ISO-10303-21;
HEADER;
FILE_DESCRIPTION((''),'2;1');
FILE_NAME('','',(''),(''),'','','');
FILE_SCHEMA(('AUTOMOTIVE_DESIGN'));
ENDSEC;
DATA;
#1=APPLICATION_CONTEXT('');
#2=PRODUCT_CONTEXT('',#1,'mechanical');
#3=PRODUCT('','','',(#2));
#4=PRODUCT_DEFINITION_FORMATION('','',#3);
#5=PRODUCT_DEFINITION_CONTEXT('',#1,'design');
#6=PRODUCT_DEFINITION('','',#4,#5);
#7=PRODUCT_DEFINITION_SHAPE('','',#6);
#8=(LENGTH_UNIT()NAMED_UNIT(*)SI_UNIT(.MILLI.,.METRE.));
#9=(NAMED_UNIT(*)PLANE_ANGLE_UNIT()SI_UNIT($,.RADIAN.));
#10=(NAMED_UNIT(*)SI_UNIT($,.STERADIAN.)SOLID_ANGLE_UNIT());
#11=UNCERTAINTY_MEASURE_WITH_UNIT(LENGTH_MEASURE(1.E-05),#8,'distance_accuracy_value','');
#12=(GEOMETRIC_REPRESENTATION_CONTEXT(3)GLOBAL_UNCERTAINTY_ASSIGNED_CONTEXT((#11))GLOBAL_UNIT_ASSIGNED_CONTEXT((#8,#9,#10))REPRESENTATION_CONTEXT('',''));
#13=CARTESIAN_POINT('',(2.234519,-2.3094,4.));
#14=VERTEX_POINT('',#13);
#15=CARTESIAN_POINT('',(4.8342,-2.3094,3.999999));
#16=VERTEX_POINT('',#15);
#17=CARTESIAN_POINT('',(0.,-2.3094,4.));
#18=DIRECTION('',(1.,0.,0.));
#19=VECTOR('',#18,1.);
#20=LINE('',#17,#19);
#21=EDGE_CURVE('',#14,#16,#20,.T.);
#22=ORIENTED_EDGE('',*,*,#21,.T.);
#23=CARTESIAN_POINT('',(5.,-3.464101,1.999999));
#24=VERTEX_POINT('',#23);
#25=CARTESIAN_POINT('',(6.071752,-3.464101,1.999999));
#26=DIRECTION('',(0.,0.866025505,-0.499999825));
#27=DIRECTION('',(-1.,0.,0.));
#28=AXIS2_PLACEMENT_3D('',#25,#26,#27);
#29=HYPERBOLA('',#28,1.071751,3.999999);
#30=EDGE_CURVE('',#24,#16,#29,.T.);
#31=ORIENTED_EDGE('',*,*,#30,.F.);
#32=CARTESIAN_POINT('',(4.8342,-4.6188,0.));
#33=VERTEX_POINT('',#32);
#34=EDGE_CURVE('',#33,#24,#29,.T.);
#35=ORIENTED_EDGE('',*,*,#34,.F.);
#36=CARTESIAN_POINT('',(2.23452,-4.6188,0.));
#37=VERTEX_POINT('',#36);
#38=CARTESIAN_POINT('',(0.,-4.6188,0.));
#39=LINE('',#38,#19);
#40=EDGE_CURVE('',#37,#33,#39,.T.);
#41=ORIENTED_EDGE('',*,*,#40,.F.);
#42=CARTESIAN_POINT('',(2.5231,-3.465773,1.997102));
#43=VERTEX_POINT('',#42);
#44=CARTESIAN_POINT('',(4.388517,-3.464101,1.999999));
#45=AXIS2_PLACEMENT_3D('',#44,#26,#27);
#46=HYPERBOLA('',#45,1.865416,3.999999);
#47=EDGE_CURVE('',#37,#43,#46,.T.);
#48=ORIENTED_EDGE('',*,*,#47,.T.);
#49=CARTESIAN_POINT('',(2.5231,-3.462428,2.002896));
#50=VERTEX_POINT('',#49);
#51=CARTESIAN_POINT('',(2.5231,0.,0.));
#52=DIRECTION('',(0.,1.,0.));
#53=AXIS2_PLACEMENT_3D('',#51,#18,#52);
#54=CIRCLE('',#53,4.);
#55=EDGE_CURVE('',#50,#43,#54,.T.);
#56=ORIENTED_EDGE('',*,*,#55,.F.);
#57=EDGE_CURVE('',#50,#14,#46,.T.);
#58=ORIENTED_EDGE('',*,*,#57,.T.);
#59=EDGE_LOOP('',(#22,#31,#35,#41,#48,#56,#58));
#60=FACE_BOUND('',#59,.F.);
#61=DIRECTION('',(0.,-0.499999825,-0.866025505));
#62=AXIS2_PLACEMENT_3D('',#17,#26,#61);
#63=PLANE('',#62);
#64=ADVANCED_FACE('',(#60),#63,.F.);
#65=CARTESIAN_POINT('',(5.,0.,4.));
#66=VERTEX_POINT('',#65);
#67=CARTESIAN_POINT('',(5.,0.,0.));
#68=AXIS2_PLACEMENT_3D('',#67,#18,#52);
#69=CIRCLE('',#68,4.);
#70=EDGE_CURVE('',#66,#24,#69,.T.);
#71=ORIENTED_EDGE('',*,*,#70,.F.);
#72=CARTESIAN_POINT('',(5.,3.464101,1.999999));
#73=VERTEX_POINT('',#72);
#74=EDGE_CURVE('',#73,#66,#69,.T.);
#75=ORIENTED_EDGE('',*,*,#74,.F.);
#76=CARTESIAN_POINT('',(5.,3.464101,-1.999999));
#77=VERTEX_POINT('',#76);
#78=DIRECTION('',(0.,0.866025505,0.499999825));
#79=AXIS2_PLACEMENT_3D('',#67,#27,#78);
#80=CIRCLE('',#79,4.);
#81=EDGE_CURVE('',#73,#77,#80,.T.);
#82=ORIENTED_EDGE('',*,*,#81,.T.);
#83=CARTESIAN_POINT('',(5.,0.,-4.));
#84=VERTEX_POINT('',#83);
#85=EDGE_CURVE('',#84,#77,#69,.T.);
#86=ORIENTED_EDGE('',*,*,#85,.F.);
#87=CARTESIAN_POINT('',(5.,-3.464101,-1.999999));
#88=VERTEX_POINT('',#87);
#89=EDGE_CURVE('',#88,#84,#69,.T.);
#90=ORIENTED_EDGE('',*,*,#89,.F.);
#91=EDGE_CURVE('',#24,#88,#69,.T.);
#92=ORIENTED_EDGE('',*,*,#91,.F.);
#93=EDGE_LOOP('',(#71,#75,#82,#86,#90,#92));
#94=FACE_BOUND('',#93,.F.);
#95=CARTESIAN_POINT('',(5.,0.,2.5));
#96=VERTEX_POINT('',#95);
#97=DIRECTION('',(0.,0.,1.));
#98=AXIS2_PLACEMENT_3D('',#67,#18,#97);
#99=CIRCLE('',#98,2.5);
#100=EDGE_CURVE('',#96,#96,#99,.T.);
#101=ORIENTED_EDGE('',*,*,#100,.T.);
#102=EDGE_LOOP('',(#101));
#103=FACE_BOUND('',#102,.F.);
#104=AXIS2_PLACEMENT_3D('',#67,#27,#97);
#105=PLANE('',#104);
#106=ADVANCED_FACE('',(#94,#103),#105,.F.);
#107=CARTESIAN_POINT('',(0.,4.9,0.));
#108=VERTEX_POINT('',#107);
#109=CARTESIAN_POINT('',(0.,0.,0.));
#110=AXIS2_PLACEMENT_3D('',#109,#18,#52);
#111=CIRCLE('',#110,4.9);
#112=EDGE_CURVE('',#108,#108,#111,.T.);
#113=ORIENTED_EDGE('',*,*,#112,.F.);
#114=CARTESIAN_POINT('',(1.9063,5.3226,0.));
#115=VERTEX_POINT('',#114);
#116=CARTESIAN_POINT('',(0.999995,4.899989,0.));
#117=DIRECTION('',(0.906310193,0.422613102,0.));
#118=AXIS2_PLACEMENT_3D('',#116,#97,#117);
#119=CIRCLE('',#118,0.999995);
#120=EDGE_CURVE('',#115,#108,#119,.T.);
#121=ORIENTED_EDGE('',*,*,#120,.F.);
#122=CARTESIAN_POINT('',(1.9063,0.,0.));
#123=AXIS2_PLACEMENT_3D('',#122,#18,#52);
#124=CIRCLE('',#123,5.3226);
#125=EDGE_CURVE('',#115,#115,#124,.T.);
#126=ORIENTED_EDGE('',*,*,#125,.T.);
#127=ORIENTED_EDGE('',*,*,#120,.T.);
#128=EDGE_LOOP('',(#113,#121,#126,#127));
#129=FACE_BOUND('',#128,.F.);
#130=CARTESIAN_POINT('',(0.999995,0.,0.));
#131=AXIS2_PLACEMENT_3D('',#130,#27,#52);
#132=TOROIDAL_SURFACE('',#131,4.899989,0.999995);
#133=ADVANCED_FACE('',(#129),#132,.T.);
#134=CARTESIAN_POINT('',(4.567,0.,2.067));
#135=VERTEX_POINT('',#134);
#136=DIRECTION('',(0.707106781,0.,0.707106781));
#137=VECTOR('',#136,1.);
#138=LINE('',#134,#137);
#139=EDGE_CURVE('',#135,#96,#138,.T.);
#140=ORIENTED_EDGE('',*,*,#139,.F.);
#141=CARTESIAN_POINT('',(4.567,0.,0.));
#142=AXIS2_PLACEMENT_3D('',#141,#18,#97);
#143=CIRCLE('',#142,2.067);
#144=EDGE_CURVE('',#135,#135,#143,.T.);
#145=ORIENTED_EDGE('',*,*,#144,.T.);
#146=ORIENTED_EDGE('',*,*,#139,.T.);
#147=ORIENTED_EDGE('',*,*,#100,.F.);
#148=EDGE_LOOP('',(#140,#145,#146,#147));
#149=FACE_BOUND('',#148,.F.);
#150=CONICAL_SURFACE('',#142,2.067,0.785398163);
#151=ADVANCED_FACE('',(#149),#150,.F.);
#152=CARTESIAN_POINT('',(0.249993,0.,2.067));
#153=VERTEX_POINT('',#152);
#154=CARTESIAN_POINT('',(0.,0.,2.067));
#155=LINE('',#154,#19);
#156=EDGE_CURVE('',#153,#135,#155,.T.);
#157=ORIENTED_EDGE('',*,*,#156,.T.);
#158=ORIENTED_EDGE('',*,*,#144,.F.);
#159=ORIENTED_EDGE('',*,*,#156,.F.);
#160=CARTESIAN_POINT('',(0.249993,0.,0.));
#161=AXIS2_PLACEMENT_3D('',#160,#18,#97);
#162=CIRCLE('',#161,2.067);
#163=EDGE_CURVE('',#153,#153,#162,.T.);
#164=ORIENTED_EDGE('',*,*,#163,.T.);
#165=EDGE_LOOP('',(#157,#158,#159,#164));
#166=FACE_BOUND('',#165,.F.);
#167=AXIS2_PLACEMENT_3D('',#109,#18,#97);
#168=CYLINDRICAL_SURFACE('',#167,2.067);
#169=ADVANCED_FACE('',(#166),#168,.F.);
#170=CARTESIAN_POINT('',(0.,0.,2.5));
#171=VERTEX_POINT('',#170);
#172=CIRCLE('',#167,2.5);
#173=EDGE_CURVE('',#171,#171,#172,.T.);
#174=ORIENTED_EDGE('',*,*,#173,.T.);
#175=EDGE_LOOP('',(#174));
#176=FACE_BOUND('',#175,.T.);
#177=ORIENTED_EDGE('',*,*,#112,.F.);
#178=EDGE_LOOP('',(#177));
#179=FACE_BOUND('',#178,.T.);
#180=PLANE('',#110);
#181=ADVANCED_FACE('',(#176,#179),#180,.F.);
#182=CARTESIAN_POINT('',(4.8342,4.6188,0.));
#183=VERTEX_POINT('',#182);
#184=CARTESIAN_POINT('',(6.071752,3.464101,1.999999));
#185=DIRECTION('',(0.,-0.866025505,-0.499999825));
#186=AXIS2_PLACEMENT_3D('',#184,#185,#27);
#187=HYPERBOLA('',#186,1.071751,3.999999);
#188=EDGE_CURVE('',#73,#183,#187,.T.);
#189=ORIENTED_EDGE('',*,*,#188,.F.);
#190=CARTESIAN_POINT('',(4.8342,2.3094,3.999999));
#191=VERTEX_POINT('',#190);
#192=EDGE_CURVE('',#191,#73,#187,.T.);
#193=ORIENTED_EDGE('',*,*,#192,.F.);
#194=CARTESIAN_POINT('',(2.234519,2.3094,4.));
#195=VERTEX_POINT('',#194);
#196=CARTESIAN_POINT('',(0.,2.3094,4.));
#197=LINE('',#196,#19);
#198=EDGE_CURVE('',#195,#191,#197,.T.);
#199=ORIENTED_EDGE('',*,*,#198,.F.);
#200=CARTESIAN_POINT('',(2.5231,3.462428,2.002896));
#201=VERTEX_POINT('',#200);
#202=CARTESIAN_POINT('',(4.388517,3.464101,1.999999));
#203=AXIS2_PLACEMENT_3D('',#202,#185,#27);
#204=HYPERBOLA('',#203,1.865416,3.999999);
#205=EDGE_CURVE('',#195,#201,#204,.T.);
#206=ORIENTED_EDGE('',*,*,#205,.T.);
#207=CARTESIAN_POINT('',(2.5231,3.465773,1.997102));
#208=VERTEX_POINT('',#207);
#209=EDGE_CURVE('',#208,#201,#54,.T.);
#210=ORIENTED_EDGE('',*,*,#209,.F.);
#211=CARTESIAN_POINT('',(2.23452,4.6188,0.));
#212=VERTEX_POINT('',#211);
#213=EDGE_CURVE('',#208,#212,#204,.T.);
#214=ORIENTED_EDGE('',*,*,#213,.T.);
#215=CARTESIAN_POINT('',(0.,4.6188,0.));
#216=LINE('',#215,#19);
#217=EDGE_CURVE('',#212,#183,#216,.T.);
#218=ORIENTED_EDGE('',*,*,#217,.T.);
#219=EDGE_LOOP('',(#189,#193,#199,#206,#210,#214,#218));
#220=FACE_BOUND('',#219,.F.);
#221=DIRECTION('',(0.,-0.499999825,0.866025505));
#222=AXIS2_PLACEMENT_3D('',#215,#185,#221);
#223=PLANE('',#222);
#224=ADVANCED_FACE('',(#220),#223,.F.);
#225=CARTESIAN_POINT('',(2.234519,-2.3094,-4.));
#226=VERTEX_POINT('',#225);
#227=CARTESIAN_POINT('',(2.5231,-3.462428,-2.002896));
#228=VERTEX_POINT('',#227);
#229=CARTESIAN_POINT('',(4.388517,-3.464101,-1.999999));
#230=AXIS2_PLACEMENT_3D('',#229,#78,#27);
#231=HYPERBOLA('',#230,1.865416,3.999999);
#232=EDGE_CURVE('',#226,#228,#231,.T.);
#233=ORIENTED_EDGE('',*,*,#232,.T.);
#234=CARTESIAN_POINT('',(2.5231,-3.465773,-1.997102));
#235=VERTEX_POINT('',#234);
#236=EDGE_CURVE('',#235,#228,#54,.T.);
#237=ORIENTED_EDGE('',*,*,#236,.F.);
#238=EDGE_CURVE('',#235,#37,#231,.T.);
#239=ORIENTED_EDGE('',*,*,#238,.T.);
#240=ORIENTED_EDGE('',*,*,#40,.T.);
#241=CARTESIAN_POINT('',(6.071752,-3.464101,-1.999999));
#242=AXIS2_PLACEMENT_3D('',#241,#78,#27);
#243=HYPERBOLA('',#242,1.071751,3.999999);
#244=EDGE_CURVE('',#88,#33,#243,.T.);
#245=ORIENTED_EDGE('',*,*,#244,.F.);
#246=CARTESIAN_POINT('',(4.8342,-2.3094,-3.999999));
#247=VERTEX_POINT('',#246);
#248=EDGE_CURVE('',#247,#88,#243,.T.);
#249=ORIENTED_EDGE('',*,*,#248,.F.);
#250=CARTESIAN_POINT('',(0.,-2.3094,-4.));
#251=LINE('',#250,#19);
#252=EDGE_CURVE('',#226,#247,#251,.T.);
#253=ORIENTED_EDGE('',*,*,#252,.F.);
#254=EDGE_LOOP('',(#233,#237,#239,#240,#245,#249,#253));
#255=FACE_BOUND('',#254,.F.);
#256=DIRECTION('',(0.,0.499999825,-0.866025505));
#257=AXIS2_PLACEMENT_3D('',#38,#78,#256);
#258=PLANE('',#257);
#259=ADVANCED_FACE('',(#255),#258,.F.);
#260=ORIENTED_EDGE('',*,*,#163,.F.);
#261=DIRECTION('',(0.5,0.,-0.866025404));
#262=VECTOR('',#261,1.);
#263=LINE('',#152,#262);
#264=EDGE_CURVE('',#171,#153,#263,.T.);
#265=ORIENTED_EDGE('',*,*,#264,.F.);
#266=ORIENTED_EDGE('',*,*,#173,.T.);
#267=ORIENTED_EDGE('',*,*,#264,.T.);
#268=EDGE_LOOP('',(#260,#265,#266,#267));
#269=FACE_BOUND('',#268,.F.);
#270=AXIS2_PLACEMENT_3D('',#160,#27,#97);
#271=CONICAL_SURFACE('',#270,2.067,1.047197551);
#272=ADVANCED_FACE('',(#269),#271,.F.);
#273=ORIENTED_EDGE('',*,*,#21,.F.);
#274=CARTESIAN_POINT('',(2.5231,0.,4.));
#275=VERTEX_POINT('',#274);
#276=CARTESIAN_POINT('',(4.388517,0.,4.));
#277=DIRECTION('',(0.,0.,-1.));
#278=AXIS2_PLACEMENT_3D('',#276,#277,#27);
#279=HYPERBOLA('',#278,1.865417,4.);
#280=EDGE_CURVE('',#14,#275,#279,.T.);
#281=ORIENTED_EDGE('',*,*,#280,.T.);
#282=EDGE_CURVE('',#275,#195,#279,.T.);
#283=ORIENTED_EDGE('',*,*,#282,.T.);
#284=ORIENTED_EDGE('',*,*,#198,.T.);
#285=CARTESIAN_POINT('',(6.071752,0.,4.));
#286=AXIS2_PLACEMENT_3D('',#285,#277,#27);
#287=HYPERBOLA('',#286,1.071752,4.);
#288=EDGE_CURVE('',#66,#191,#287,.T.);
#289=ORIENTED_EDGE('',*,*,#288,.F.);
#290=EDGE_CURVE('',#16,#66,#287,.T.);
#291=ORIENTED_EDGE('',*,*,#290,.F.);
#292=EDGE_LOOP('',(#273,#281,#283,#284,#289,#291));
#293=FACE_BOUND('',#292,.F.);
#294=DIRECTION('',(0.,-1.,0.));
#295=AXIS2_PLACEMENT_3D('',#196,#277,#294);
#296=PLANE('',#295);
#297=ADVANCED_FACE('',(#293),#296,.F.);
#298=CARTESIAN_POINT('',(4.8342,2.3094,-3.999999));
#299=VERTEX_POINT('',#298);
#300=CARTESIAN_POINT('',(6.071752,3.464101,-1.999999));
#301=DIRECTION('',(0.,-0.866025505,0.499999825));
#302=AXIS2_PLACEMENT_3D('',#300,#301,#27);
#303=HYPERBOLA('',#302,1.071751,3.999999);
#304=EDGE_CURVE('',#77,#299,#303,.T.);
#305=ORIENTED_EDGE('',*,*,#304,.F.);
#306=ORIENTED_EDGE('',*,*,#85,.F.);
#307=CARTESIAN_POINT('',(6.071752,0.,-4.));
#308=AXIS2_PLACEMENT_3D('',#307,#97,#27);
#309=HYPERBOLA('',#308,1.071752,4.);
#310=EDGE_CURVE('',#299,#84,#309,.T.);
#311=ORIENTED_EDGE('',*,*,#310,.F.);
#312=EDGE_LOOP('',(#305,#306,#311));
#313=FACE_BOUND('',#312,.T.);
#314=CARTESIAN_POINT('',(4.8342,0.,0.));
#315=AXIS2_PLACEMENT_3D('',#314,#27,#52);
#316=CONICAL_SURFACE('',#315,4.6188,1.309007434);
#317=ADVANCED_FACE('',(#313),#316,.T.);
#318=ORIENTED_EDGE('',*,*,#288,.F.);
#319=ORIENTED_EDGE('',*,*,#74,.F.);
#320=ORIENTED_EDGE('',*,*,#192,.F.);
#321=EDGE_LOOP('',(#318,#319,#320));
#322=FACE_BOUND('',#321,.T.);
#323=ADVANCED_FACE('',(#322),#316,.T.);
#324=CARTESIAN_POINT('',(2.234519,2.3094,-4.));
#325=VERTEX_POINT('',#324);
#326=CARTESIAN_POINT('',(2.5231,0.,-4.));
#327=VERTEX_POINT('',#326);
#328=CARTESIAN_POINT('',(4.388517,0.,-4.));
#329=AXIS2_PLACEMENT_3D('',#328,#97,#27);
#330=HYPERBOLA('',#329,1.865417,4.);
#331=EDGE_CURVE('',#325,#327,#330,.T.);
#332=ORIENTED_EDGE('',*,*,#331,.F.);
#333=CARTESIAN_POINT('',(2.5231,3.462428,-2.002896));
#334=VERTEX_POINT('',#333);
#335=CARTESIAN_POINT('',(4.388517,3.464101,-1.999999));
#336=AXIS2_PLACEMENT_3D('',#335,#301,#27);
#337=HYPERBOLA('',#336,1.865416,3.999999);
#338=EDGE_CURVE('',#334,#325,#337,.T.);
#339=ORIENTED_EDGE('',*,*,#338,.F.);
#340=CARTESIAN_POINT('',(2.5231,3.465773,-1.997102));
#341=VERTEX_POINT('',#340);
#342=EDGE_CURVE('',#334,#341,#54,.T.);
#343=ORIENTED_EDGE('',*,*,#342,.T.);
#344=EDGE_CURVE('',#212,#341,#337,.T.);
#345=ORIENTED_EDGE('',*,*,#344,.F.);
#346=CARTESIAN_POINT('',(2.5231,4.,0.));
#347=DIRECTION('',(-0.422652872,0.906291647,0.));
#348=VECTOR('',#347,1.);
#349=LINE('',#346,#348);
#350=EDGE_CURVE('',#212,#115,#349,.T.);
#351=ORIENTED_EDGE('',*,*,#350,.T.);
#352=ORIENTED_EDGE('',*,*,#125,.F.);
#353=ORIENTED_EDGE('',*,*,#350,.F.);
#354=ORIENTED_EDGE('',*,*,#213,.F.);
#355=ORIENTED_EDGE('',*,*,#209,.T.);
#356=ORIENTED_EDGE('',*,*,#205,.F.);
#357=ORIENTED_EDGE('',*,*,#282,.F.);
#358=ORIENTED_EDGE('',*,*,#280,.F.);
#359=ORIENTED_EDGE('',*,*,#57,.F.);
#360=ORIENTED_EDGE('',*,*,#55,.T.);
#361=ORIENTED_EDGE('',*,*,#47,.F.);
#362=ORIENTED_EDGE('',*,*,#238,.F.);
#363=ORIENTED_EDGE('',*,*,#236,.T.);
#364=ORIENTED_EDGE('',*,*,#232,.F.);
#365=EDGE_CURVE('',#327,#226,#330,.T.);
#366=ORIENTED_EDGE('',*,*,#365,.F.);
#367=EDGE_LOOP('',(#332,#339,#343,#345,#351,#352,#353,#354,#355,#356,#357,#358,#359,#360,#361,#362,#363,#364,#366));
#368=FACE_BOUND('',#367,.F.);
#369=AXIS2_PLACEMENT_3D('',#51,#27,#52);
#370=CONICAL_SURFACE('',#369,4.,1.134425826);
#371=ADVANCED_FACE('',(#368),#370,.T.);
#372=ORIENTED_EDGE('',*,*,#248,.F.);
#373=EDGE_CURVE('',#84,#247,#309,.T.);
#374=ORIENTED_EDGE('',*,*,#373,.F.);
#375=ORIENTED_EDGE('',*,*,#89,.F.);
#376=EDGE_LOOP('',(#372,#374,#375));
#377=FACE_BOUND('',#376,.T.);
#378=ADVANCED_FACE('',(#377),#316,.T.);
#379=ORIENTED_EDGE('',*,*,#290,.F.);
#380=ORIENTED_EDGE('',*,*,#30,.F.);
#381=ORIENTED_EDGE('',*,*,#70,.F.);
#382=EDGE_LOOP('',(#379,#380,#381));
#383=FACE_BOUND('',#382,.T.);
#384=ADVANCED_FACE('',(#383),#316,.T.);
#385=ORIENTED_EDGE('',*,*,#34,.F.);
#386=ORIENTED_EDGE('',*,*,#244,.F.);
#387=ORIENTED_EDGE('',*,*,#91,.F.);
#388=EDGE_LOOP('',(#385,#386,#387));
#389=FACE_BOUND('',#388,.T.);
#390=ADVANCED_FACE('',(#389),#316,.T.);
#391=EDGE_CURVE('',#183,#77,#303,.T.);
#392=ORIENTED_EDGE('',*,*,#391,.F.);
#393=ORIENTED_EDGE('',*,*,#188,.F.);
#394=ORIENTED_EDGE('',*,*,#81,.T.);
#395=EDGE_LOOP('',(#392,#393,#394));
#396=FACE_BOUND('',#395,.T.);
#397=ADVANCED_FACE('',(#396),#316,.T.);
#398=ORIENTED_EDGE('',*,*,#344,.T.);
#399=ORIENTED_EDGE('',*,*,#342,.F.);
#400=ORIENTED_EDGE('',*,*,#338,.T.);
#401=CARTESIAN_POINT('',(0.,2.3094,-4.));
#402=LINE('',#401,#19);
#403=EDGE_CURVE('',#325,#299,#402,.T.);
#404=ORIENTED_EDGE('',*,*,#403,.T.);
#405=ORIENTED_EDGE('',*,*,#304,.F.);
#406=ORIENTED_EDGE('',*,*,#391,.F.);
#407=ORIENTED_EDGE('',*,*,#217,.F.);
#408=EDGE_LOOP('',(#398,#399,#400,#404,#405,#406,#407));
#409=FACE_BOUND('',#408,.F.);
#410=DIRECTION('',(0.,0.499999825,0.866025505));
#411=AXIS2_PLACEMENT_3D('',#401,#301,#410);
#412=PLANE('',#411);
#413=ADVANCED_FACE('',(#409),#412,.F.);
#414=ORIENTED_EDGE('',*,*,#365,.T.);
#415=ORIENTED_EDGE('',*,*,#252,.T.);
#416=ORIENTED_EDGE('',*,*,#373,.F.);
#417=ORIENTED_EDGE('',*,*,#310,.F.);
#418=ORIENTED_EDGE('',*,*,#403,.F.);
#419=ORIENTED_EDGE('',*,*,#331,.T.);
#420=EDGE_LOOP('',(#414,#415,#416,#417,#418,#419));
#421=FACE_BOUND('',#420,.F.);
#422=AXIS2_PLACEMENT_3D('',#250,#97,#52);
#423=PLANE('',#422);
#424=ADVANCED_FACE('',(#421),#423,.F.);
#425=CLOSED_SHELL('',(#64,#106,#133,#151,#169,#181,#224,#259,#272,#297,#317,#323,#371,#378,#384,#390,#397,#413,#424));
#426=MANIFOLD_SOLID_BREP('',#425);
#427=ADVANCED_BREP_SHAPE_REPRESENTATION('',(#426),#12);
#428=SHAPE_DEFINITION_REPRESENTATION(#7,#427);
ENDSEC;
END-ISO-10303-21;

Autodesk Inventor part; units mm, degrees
ref_plane "YZ Plane" through (0, 0, 0) normal (1, 0, 0) x (0, 1, 0)
ref_plane "XZ Plane" through (0, 0, 0) normal (0, 1, 0) x (-1, 0, 0)
sketch "Эскиз1" plane through (0, 0, 0) normal (0, 0, 1) x (1, 0, 0)
  line L0 (-1.2035, 0) -> (6.0339, 0) projected
  line L1 (2.5231, 4) -> (1.9063, 5.3226)
  line L2 (2.5231, 4) -> (5, 4) construction
  line L3 (5, 4) -> (5, 0) construction
  arc A0 (1.9063, 5.3226) -> (0, 4.9) centre (1, 4.9) ccw
  line L4 (2.5231, 4) -> (2.5231, 0)
  line L5 (0, -1.2175) -> (0, 7.3051) projected
  point P0 (0, 0)
  dimension "d2" = 8
  dimension "d4" = 11.8
  dimension "d5" = 1
  dimension "d15" = 5
  dimension "d16" = 25
revolve "Кольцо" add sketch "Эскиз1" angle 360 about axis through (-10, 0, 0) along (1, 0, 0)
sketch "Эскиз2" plane through (0, 0, 0) normal (-1, 0, 0) x (0, 0, 1)
  circle A0 centre (0, 0) radius 4.9
  line L0 (-4, -2.3094) -> (-4, 2.3094)
  line L1 (-4, 2.3094) -> (0, 4.6188)
  line L2 (0, 4.6188) -> (4, 2.3094)
  line L3 (4, 2.3094) -> (4, -2.3094)
  line L4 (4, -2.3094) -> (0, -4.6188)
  line L5 (0, -4.6188) -> (-4, -2.3094)
  circle A1 centre (0, 0) radius 4.9 projected
  dimension "d6" = 9.2376
extrude "Базовый элемент" add sketch "Эскиз2" against normal blind 5 contours L0 L1 L2 L3 L4 L5
sketch "Эскиз3" plane through (0, 0, 0) normal (0, 0, 1) x (1, 0, 0)
  line L0 (2.2345, 4.6188) -> (5, 4.6188) projected
  line L1 (5, 2.3094) -> (5, 4.6188) projected
  line L2 (0, -4.9) -> (0, 4.9) projected
  line L3 (-1, 0) -> (6, 0) projected
  line L4 (4.8342, 4.6188) -> (5, 4)
  dimension "d10" = 15
  dimension "d11" = 8
revolve "Фаска1" cut sketch "Эскиз3" angle 360 about axis through (-10, 0, 0) along (1, 0, 0)
sketch "Эскиз4" plane through (0, 0, 0) normal (-1, 0, 0) x (0, 0, 1)
  circle A0 centre (0, 0) radius 4.9 projected
hole "Резьба" at (0, 0, 0) direction (1, 0, 0) diameter 4.134 end through all thread size "M5x0.8" class "6H" standard "ISO Metric profile"
chamfer "Фаска2" distance 0.433 angle 30 1 edges at (0, 0, -2.067) measured on face at (0, 3.9032, -0.4739)
ref_plane "Work Plane1" through (17.4207, 0, 0) normal (0, 0, -1) x (-1, 0, 0)
chamfer "Фаска3" distance 0.433 angle 45 1 edges at (5, 0, -2.067)
equation "\"d6\" = 1.1547 * SW"
equation "\"d7\" = KOH"
equation "\"d12\" = -0.5 * GD1 + 0.5 * NND"
equation "\"d46\" = -0.5 * GD1 + 0.5 * NND"
equation "\"d51\" = -0.5 * GD1 + 0.5 * NND"
equation "\"d2\" = SW"
equation "\"d4\" = LADI"
equation "\"d5\" = PHH"
equation "\"d15\" = KOH"
equation "\"d16\" = KEWI"
equation "\"d10\" = ANG1"
equation "\"d11\" = SW0"
equation "\"ANG1\" = 15deg"
equation "\"KEWI\" = 25deg"
equation "\"NND\" = 5"
equation "\"LADI\" = 11.8"
equation "\"SW\" = 8"
equation "\"PHH\" = RR"
equation "\"KOH\" = NND"
equation "\"SW0\" = SW"
equation "\"d1\" = LADI"
equation "\"d3\" = PHH"
equation "\"GUL\" = 0.541266 * PTC"
equation "\"RR\" = 1"
equation "\"THREADDIA\" = 5"
equation "\"TOA\" = 30deg"
equation "\"PTC\" = 0.8"
equation "\"GAL\" = 0.541266 * PTC"
equation "\"E0\" = 1.155 * SW"
equation "\"GD1\" = 4.133975"
properties part number "DIN 6923 - M5" material "Сталь, мягкая"
